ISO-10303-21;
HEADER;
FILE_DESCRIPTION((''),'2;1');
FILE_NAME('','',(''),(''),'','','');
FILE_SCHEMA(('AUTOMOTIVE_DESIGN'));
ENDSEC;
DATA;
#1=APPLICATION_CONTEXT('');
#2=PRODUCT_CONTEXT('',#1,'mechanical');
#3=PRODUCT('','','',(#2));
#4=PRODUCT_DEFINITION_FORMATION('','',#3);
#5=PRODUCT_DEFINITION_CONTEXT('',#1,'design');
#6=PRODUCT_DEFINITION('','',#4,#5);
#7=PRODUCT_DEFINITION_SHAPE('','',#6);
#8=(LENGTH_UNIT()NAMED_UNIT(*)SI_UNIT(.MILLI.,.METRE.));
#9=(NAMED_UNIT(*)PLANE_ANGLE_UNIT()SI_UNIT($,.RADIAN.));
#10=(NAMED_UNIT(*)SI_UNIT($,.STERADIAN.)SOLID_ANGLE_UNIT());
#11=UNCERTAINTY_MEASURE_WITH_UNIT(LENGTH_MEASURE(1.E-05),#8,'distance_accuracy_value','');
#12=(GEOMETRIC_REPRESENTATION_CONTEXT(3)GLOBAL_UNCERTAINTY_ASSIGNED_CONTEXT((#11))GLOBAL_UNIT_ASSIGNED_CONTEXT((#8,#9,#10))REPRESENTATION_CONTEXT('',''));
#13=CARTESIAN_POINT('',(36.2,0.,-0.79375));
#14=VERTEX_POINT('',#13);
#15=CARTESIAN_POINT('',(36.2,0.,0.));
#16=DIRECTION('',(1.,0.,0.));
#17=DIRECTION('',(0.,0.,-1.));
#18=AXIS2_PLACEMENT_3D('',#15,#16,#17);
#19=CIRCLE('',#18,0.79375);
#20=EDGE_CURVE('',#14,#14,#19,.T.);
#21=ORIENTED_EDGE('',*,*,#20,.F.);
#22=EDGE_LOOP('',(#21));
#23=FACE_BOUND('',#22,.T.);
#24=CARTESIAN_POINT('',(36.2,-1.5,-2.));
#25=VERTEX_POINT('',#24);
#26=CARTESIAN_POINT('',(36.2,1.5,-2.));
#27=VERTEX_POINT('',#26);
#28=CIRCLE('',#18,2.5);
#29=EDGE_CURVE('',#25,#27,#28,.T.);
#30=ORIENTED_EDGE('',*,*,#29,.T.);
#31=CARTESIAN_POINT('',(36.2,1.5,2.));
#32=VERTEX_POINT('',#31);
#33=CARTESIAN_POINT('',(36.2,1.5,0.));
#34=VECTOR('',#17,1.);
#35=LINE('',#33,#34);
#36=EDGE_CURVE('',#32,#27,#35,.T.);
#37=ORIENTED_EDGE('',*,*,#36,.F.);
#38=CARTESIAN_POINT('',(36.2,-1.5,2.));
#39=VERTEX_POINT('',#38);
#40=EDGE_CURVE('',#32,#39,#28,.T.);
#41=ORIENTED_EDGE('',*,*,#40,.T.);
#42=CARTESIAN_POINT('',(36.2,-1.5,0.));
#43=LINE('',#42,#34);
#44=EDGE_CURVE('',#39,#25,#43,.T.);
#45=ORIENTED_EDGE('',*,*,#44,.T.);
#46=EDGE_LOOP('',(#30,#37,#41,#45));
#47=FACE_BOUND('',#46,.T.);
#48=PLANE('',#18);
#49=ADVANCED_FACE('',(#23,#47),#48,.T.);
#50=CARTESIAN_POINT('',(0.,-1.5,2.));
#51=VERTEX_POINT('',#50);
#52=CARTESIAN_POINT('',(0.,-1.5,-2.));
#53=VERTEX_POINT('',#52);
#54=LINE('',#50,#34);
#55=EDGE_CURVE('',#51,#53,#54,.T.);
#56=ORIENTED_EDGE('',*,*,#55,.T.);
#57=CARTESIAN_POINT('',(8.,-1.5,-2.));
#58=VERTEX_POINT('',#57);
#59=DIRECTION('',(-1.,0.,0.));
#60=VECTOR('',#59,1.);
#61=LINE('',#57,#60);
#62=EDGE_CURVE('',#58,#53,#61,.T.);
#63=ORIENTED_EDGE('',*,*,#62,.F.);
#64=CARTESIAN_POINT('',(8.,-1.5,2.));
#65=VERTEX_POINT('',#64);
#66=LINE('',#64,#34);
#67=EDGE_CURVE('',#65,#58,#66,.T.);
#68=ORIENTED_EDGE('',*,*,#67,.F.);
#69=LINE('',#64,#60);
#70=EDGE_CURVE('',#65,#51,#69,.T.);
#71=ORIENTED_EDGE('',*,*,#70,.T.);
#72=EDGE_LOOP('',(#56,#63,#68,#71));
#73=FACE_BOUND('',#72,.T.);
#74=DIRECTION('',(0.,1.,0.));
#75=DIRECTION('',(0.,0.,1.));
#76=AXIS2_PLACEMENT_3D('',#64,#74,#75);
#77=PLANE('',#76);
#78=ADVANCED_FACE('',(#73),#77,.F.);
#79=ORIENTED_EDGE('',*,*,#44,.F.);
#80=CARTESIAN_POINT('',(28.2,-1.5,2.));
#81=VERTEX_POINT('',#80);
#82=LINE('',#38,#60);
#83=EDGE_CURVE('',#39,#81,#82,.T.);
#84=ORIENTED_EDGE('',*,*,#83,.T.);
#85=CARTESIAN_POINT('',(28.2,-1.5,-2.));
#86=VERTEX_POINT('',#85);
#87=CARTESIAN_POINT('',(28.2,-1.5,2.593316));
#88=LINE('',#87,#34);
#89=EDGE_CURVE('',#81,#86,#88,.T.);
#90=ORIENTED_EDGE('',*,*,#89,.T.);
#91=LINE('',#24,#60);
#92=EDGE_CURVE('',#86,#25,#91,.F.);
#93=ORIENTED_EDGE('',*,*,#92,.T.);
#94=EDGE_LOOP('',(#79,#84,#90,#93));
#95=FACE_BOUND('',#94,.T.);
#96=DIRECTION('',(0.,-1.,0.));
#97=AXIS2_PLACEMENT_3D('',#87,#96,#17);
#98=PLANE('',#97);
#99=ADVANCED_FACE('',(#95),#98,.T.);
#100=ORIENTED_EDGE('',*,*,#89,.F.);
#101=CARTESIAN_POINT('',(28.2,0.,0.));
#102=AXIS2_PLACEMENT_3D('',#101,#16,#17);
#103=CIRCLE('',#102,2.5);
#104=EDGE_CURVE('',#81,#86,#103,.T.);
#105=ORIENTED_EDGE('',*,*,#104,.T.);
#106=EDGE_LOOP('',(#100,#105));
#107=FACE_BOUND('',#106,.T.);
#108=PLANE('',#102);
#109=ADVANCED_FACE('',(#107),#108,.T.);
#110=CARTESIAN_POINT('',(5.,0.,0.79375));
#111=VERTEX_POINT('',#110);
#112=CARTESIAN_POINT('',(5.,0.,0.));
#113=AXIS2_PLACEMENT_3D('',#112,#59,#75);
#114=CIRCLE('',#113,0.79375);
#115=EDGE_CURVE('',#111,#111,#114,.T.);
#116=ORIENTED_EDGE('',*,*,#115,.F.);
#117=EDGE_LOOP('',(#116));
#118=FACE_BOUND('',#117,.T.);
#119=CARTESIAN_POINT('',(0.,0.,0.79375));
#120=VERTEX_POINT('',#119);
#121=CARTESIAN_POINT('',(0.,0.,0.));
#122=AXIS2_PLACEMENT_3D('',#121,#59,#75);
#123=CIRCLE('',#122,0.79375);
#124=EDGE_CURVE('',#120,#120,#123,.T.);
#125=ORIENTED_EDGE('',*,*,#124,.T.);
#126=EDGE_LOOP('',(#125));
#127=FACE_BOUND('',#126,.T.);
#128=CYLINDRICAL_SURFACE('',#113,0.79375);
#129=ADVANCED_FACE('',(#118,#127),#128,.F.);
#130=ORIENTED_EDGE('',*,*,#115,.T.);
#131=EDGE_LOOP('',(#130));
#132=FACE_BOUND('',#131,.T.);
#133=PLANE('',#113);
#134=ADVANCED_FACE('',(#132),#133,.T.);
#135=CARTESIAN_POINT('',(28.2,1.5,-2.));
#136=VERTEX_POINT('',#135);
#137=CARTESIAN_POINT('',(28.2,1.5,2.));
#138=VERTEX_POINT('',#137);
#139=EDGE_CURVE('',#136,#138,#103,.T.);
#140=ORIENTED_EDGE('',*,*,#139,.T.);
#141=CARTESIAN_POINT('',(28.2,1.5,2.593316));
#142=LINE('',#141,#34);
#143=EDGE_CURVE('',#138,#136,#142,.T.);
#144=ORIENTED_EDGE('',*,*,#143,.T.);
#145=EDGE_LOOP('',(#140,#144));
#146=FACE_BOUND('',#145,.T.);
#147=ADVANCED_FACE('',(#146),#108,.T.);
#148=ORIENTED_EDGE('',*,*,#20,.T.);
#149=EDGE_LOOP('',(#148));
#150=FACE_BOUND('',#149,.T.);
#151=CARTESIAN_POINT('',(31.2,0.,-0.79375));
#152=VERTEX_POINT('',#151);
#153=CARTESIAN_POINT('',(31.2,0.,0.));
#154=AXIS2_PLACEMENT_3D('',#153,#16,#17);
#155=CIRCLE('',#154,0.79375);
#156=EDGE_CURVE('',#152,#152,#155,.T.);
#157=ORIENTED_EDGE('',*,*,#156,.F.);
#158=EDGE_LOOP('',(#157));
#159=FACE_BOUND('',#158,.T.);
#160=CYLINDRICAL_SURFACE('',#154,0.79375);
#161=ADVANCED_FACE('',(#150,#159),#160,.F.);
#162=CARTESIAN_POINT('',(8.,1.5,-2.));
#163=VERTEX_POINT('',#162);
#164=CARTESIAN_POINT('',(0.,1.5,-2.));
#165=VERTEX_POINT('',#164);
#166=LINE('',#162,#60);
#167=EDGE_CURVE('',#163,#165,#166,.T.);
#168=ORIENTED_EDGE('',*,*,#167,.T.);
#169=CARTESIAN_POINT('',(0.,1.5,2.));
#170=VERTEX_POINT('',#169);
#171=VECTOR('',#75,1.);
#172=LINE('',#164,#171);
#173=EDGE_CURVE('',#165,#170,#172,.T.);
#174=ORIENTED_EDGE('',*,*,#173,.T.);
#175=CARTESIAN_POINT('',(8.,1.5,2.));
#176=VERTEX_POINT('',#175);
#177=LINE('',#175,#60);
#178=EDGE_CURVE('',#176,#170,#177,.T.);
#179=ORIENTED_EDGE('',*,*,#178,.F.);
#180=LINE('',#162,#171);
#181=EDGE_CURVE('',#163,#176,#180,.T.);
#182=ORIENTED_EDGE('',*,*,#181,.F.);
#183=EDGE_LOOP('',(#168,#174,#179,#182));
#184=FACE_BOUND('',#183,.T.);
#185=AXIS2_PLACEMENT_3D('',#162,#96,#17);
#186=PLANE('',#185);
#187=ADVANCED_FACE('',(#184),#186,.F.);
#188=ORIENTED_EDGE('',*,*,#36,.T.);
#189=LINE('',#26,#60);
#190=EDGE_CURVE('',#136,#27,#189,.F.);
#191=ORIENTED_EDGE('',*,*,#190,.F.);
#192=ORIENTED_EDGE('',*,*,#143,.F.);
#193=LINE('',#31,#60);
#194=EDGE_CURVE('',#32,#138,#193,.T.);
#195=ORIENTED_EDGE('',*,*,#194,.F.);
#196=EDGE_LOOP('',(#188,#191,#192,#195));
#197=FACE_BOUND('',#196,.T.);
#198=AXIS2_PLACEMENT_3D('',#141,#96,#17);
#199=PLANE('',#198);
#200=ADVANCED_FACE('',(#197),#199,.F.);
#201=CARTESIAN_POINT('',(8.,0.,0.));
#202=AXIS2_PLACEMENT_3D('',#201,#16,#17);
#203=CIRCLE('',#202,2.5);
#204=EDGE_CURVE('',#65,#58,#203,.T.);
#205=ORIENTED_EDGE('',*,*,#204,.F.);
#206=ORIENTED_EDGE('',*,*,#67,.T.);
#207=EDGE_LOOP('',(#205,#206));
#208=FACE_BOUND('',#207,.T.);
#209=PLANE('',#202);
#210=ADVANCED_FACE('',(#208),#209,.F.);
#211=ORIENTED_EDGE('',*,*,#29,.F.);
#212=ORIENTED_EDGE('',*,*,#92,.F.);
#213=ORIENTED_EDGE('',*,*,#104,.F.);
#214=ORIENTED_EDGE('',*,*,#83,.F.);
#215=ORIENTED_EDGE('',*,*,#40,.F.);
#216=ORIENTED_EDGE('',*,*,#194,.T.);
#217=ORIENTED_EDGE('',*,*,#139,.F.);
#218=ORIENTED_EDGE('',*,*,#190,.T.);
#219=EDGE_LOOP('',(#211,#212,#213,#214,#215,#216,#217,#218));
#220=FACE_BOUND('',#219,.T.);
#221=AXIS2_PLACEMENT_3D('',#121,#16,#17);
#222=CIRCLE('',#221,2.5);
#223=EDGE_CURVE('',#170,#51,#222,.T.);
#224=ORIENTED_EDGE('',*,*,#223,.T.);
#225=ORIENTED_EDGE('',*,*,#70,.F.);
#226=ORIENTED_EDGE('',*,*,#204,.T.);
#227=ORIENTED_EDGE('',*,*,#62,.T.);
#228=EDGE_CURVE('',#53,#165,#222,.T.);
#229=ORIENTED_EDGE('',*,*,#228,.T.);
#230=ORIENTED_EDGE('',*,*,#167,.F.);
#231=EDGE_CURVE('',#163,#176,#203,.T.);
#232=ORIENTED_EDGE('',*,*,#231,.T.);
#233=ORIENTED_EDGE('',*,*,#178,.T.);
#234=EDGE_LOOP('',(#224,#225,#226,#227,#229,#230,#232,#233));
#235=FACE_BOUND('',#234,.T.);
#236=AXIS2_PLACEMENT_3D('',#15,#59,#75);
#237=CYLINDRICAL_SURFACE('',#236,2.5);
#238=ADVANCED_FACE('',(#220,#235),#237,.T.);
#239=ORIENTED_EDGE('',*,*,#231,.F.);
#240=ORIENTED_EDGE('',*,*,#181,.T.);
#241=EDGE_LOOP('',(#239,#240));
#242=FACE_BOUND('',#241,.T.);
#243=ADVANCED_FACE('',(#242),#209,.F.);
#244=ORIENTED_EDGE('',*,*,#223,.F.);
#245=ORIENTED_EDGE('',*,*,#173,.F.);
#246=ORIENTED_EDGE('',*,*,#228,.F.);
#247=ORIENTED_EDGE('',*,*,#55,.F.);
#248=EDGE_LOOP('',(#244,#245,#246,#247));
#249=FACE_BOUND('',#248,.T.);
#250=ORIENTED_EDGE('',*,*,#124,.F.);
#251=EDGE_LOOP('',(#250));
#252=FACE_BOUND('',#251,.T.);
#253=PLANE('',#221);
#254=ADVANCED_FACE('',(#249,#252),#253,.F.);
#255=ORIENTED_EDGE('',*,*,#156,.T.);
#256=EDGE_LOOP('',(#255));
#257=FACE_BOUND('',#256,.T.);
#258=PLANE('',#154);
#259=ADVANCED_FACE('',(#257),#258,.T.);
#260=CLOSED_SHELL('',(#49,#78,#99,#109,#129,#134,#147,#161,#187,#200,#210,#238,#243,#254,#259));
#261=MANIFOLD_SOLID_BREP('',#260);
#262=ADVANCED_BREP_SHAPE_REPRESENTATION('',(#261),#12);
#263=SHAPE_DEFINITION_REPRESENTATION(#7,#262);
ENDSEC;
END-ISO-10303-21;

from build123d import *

# Parameters (mm, degrees)
CROQUIS1_R              = 2.5
SALIENTE_EXTRUIR1_DEPTH = 36.2
CROQUIS2_OUTSIDE_W      = 14.376
CROQUIS2_OUTSIDE_H      = 14.376
CROQUIS2_OUTSIDE_W_2    = 5.186631864
CROQUIS2_OUTSIDE_H_2    = 3
CORTAR_EXTRUIR1_DEPTH   = 8
CROQUIS2_3_R            = 0.79375
CORTAR_EXTRUIR2_DEPTH   = 5
CROQUIS3_OUTSIDE_W      = 14.376
CROQUIS3_OUTSIDE_H      = 14.376
CORTAR_EXTRUIR3_DEPTH   = 8
CORTAR_EXTRUIR4_START   = -5
CROQUIS4_R              = 0.79375
CORTAR_EXTRUIR4_DEPTH   = 5


with BuildPart() as part:
    # Croquis1 → Saliente-Extruir1 (new body)
    with BuildSketch(Plane(origin=(0, 0, 0), x_dir=(0, 0, -1), z_dir=(1, 0, 0))):
        Circle(CROQUIS1_R)
    extrude(amount=SALIENTE_EXTRUIR1_DEPTH)

    # Croquis2 outside → Cortar-Extruir1 (cut)
    with BuildSketch(Plane(origin=(36.2, 0, 0), x_dir=(0, 0, -1), z_dir=(1, 0, 0))):
        Rectangle(CROQUIS2_OUTSIDE_W, CROQUIS2_OUTSIDE_H)
        Rectangle(CROQUIS2_OUTSIDE_W_2, CROQUIS2_OUTSIDE_H_2, mode=Mode.SUBTRACT)
    extrude(amount=-CORTAR_EXTRUIR1_DEPTH, mode=Mode.SUBTRACT)

    # Croquis2<3> → Cortar-Extruir2 (cut)
    with BuildSketch(Plane(origin=(36.2, 0, 0), x_dir=(0, 0, -1), z_dir=(1, 0, 0))):
        Circle(CROQUIS2_3_R)
    extrude(amount=-CORTAR_EXTRUIR2_DEPTH, mode=Mode.SUBTRACT)

    # Croquis3 outside → Cortar-Extruir3 (cut)
    with BuildSketch(Plane(origin=(0, 0, 0), x_dir=(0, 0, -1), z_dir=(1, 0, 0))):
        Rectangle(CROQUIS3_OUTSIDE_W, CROQUIS3_OUTSIDE_H)
        with BuildLine():
            Line((2, 1.5), (-2, 1.5))
            ThreePointArc((-2, 1.5), (-2.5, 0), (-2, -1.5))
            Line((-2, -1.5), (2, -1.5))
            ThreePointArc((2, -1.5), (2.5, 0), (2, 1.5))
        make_face(mode=Mode.SUBTRACT)
    extrude(amount=CORTAR_EXTRUIR3_DEPTH, mode=Mode.SUBTRACT)

    # Croquis4 → Cortar-Extruir4 (cut)
    with BuildSketch(Plane.ZY.offset(CORTAR_EXTRUIR4_START)):
        Circle(CROQUIS4_R)
    extrude(amount=CORTAR_EXTRUIR4_DEPTH, mode=Mode.SUBTRACT)


solid = part.part
